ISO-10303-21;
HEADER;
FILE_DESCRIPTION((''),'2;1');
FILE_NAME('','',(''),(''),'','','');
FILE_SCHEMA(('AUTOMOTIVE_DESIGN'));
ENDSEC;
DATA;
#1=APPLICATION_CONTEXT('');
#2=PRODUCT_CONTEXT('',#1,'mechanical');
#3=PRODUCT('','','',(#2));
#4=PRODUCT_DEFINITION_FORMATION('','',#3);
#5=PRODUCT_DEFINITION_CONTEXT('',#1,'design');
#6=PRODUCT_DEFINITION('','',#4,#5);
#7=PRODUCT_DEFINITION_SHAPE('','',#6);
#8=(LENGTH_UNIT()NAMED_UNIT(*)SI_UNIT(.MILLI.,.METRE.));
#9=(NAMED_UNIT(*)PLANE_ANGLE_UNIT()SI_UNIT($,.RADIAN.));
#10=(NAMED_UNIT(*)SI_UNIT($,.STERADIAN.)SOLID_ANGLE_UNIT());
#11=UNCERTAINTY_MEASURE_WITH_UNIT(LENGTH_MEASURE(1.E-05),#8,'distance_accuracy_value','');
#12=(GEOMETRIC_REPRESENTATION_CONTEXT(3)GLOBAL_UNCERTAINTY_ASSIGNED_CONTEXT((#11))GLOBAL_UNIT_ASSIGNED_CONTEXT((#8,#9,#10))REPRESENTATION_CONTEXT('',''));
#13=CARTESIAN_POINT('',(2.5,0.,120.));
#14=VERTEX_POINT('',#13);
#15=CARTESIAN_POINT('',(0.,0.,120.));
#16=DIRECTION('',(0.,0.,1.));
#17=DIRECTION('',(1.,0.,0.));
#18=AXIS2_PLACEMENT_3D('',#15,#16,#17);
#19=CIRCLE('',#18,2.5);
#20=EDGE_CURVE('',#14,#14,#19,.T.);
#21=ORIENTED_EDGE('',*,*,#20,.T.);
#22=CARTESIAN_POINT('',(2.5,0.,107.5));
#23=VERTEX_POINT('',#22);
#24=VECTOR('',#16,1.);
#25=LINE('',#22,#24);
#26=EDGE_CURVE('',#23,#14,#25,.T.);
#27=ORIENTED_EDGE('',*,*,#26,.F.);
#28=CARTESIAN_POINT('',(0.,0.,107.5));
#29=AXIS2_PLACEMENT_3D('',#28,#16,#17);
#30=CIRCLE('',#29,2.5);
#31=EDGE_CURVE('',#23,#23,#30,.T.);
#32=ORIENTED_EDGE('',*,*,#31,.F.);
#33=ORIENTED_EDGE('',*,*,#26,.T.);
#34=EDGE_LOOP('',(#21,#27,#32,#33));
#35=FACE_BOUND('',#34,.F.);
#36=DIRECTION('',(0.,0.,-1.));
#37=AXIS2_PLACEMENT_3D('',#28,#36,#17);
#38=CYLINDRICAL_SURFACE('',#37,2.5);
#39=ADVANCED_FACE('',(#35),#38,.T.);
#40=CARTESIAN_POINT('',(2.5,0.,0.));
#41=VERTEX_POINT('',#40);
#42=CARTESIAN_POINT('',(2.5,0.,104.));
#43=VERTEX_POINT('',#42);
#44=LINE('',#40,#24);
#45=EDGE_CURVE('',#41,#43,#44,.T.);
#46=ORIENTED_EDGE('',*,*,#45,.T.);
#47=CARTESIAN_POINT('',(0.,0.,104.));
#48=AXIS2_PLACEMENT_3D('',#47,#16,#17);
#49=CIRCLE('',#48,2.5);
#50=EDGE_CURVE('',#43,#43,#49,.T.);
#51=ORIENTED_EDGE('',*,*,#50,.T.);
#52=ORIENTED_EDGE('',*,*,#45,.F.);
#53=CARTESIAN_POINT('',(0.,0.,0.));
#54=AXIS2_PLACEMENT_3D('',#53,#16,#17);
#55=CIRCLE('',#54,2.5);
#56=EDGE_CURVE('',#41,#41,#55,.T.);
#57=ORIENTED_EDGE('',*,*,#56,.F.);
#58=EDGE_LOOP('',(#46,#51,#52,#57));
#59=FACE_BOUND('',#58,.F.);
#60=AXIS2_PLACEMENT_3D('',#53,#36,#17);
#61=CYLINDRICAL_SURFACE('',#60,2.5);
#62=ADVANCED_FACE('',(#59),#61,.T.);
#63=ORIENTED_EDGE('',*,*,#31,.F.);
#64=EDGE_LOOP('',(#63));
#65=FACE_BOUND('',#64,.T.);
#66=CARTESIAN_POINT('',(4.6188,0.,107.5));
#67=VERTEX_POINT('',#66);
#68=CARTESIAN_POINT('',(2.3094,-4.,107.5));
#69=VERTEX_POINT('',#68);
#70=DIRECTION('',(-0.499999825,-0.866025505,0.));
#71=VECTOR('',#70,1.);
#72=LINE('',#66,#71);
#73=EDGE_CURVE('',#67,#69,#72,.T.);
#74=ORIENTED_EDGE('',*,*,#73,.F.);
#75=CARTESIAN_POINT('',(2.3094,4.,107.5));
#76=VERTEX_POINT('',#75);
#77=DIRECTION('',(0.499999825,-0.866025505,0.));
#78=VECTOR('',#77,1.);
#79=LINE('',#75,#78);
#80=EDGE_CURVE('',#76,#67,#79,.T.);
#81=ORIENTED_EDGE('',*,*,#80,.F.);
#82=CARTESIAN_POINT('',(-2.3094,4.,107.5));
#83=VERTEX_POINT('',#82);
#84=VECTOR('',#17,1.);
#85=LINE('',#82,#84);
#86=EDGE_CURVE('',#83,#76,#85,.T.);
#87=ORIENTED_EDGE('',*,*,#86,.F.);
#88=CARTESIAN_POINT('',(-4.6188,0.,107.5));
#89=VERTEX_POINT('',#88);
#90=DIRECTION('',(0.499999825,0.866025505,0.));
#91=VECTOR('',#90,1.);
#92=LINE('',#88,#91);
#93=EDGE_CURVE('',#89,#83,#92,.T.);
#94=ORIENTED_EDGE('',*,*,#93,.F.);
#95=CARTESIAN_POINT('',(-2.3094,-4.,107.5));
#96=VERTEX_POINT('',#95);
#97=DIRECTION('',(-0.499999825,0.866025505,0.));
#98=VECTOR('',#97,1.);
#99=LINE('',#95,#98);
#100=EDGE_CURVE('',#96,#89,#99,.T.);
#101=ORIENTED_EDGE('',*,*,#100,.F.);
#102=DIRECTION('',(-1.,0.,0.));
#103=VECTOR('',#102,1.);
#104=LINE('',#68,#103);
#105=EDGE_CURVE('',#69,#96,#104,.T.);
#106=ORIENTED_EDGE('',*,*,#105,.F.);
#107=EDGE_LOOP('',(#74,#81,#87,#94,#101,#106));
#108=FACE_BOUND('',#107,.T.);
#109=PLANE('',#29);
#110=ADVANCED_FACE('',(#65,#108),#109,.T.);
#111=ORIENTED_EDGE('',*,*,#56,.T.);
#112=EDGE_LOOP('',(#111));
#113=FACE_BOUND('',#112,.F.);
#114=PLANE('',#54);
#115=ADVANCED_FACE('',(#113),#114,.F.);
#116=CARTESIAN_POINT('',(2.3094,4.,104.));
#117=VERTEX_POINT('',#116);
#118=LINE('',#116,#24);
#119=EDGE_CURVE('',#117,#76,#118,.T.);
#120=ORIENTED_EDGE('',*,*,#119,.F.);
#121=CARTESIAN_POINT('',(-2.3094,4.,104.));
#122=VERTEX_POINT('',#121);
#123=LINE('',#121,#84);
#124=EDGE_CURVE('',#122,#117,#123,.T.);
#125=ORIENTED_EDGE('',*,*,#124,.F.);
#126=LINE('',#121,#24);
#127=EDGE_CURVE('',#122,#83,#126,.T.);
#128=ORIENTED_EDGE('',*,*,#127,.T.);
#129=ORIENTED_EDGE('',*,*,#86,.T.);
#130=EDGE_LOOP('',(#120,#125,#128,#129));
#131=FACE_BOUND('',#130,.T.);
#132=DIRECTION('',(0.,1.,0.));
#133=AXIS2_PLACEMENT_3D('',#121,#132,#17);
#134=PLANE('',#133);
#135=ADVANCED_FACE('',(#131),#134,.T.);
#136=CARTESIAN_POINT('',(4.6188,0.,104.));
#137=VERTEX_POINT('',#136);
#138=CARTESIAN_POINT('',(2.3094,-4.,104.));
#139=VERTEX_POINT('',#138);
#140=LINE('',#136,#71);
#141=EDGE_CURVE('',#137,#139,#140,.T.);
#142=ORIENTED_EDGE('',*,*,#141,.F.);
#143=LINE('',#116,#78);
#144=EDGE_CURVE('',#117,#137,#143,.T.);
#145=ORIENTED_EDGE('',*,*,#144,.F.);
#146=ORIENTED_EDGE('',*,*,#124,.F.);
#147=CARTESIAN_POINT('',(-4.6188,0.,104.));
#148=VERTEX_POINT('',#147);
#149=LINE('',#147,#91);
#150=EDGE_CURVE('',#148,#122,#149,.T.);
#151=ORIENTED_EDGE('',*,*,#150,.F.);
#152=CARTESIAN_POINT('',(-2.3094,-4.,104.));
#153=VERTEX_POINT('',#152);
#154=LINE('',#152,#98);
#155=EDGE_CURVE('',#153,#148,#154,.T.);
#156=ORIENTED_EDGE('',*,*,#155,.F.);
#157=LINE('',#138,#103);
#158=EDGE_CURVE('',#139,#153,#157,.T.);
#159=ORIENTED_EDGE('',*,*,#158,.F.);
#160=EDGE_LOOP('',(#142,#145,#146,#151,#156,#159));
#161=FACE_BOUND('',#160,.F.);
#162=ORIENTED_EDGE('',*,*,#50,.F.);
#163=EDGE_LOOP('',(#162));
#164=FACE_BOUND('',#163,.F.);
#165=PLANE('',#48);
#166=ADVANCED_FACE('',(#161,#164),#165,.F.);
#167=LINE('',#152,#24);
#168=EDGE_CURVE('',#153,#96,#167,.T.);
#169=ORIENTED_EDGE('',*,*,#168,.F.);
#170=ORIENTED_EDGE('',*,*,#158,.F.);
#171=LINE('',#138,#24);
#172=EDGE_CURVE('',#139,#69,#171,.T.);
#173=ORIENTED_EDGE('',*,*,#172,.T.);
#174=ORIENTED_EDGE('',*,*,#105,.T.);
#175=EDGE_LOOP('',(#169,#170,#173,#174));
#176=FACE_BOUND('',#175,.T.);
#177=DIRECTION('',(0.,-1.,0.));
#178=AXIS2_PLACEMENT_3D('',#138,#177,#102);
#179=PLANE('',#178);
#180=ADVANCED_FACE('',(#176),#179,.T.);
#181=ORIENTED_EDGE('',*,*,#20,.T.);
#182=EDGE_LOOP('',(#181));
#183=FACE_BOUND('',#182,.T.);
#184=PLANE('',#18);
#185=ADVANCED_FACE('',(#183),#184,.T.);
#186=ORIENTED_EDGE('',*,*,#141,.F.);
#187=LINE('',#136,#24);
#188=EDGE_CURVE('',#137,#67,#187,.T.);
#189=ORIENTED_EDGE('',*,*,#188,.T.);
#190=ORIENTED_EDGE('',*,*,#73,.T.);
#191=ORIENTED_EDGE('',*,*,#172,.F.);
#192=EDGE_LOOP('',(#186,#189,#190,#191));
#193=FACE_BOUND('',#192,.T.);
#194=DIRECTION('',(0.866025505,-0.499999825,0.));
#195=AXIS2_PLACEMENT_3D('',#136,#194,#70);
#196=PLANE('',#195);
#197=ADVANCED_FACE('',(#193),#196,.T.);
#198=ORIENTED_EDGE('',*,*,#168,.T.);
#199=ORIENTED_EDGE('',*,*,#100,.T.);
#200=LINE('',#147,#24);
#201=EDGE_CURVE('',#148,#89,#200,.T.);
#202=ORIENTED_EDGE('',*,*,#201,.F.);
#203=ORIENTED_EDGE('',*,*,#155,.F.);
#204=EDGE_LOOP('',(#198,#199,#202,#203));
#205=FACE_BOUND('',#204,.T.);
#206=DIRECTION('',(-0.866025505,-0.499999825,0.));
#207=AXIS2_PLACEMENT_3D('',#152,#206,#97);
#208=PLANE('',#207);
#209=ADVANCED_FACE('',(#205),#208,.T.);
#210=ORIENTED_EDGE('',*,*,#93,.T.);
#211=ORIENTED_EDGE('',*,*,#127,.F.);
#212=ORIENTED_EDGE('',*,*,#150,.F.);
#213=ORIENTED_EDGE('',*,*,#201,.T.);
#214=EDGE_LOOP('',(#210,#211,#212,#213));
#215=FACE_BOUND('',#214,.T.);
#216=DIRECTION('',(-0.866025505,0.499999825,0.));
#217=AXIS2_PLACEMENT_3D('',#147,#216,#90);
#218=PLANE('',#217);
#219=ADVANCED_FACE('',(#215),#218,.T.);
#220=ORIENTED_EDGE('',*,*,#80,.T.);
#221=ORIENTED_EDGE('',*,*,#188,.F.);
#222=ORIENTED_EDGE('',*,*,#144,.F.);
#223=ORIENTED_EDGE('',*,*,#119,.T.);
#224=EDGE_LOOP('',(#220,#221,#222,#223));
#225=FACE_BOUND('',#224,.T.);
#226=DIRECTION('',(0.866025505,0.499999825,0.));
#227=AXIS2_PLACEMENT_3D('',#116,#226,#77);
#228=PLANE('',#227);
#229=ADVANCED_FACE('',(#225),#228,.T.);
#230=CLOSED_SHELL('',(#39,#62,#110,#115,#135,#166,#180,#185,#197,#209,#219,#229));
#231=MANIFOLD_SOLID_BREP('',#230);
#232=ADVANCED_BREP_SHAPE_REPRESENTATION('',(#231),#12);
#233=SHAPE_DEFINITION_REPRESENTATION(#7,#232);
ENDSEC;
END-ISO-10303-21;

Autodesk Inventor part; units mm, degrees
ref_plane "YZ Plane" through (0, 0, 0) normal (1, 0, 0) x (0, 1, 0)
ref_plane "XZ Plane" through (0, 0, 0) normal (0, 1, 0) x (-1, 0, 0)
ref_plane "XY Plane" through (0, 0, 0) normal (0, 0, 1) x (1, 0, 0)
sketch "スケッチ1" plane through (0, 0, 0) normal (0, 0, 1) x (1, 0, 0)
  circle A0 centre (0, 0) radius 2.5
  dimension "d0" = 5
extrude "押し出し1" add sketch "スケッチ1" along normal blind 104
sketch "スケッチ2" plane through (0, 0, 104) normal (0, 0, 1) x (1, 0, 0)
  line L0 (4.6188, 0) -> (2.3094, -4)
  line L1 (2.3094, -4) -> (-2.3094, -4)
  line L2 (-2.3094, -4) -> (-4.6188, 0)
  line L3 (-4.6188, 0) -> (-2.3094, 4)
  line L4 (-2.3094, 4) -> (2.3094, 4)
  line L5 (2.3094, 4) -> (4.6188, 0)
  point P0 (0, 0)
  point P1 (0, 0)
  dimension "d3" = 8
extrude "押し出し2" add sketch "スケッチ2" along normal blind 3.5
sketch "スケッチ3" plane through (0, 0, 107.5) normal (0, 0, 1) x (1, 0, 0)
  circle A0 centre (0, 0) radius 2.5
  dimension "d6" = 5
extrude "押し出し3" add sketch "スケッチ3" along normal blind 12.5
properties part number "aircylinder16_100_part2_sa" material "アルミニウム 6061-AHC"
